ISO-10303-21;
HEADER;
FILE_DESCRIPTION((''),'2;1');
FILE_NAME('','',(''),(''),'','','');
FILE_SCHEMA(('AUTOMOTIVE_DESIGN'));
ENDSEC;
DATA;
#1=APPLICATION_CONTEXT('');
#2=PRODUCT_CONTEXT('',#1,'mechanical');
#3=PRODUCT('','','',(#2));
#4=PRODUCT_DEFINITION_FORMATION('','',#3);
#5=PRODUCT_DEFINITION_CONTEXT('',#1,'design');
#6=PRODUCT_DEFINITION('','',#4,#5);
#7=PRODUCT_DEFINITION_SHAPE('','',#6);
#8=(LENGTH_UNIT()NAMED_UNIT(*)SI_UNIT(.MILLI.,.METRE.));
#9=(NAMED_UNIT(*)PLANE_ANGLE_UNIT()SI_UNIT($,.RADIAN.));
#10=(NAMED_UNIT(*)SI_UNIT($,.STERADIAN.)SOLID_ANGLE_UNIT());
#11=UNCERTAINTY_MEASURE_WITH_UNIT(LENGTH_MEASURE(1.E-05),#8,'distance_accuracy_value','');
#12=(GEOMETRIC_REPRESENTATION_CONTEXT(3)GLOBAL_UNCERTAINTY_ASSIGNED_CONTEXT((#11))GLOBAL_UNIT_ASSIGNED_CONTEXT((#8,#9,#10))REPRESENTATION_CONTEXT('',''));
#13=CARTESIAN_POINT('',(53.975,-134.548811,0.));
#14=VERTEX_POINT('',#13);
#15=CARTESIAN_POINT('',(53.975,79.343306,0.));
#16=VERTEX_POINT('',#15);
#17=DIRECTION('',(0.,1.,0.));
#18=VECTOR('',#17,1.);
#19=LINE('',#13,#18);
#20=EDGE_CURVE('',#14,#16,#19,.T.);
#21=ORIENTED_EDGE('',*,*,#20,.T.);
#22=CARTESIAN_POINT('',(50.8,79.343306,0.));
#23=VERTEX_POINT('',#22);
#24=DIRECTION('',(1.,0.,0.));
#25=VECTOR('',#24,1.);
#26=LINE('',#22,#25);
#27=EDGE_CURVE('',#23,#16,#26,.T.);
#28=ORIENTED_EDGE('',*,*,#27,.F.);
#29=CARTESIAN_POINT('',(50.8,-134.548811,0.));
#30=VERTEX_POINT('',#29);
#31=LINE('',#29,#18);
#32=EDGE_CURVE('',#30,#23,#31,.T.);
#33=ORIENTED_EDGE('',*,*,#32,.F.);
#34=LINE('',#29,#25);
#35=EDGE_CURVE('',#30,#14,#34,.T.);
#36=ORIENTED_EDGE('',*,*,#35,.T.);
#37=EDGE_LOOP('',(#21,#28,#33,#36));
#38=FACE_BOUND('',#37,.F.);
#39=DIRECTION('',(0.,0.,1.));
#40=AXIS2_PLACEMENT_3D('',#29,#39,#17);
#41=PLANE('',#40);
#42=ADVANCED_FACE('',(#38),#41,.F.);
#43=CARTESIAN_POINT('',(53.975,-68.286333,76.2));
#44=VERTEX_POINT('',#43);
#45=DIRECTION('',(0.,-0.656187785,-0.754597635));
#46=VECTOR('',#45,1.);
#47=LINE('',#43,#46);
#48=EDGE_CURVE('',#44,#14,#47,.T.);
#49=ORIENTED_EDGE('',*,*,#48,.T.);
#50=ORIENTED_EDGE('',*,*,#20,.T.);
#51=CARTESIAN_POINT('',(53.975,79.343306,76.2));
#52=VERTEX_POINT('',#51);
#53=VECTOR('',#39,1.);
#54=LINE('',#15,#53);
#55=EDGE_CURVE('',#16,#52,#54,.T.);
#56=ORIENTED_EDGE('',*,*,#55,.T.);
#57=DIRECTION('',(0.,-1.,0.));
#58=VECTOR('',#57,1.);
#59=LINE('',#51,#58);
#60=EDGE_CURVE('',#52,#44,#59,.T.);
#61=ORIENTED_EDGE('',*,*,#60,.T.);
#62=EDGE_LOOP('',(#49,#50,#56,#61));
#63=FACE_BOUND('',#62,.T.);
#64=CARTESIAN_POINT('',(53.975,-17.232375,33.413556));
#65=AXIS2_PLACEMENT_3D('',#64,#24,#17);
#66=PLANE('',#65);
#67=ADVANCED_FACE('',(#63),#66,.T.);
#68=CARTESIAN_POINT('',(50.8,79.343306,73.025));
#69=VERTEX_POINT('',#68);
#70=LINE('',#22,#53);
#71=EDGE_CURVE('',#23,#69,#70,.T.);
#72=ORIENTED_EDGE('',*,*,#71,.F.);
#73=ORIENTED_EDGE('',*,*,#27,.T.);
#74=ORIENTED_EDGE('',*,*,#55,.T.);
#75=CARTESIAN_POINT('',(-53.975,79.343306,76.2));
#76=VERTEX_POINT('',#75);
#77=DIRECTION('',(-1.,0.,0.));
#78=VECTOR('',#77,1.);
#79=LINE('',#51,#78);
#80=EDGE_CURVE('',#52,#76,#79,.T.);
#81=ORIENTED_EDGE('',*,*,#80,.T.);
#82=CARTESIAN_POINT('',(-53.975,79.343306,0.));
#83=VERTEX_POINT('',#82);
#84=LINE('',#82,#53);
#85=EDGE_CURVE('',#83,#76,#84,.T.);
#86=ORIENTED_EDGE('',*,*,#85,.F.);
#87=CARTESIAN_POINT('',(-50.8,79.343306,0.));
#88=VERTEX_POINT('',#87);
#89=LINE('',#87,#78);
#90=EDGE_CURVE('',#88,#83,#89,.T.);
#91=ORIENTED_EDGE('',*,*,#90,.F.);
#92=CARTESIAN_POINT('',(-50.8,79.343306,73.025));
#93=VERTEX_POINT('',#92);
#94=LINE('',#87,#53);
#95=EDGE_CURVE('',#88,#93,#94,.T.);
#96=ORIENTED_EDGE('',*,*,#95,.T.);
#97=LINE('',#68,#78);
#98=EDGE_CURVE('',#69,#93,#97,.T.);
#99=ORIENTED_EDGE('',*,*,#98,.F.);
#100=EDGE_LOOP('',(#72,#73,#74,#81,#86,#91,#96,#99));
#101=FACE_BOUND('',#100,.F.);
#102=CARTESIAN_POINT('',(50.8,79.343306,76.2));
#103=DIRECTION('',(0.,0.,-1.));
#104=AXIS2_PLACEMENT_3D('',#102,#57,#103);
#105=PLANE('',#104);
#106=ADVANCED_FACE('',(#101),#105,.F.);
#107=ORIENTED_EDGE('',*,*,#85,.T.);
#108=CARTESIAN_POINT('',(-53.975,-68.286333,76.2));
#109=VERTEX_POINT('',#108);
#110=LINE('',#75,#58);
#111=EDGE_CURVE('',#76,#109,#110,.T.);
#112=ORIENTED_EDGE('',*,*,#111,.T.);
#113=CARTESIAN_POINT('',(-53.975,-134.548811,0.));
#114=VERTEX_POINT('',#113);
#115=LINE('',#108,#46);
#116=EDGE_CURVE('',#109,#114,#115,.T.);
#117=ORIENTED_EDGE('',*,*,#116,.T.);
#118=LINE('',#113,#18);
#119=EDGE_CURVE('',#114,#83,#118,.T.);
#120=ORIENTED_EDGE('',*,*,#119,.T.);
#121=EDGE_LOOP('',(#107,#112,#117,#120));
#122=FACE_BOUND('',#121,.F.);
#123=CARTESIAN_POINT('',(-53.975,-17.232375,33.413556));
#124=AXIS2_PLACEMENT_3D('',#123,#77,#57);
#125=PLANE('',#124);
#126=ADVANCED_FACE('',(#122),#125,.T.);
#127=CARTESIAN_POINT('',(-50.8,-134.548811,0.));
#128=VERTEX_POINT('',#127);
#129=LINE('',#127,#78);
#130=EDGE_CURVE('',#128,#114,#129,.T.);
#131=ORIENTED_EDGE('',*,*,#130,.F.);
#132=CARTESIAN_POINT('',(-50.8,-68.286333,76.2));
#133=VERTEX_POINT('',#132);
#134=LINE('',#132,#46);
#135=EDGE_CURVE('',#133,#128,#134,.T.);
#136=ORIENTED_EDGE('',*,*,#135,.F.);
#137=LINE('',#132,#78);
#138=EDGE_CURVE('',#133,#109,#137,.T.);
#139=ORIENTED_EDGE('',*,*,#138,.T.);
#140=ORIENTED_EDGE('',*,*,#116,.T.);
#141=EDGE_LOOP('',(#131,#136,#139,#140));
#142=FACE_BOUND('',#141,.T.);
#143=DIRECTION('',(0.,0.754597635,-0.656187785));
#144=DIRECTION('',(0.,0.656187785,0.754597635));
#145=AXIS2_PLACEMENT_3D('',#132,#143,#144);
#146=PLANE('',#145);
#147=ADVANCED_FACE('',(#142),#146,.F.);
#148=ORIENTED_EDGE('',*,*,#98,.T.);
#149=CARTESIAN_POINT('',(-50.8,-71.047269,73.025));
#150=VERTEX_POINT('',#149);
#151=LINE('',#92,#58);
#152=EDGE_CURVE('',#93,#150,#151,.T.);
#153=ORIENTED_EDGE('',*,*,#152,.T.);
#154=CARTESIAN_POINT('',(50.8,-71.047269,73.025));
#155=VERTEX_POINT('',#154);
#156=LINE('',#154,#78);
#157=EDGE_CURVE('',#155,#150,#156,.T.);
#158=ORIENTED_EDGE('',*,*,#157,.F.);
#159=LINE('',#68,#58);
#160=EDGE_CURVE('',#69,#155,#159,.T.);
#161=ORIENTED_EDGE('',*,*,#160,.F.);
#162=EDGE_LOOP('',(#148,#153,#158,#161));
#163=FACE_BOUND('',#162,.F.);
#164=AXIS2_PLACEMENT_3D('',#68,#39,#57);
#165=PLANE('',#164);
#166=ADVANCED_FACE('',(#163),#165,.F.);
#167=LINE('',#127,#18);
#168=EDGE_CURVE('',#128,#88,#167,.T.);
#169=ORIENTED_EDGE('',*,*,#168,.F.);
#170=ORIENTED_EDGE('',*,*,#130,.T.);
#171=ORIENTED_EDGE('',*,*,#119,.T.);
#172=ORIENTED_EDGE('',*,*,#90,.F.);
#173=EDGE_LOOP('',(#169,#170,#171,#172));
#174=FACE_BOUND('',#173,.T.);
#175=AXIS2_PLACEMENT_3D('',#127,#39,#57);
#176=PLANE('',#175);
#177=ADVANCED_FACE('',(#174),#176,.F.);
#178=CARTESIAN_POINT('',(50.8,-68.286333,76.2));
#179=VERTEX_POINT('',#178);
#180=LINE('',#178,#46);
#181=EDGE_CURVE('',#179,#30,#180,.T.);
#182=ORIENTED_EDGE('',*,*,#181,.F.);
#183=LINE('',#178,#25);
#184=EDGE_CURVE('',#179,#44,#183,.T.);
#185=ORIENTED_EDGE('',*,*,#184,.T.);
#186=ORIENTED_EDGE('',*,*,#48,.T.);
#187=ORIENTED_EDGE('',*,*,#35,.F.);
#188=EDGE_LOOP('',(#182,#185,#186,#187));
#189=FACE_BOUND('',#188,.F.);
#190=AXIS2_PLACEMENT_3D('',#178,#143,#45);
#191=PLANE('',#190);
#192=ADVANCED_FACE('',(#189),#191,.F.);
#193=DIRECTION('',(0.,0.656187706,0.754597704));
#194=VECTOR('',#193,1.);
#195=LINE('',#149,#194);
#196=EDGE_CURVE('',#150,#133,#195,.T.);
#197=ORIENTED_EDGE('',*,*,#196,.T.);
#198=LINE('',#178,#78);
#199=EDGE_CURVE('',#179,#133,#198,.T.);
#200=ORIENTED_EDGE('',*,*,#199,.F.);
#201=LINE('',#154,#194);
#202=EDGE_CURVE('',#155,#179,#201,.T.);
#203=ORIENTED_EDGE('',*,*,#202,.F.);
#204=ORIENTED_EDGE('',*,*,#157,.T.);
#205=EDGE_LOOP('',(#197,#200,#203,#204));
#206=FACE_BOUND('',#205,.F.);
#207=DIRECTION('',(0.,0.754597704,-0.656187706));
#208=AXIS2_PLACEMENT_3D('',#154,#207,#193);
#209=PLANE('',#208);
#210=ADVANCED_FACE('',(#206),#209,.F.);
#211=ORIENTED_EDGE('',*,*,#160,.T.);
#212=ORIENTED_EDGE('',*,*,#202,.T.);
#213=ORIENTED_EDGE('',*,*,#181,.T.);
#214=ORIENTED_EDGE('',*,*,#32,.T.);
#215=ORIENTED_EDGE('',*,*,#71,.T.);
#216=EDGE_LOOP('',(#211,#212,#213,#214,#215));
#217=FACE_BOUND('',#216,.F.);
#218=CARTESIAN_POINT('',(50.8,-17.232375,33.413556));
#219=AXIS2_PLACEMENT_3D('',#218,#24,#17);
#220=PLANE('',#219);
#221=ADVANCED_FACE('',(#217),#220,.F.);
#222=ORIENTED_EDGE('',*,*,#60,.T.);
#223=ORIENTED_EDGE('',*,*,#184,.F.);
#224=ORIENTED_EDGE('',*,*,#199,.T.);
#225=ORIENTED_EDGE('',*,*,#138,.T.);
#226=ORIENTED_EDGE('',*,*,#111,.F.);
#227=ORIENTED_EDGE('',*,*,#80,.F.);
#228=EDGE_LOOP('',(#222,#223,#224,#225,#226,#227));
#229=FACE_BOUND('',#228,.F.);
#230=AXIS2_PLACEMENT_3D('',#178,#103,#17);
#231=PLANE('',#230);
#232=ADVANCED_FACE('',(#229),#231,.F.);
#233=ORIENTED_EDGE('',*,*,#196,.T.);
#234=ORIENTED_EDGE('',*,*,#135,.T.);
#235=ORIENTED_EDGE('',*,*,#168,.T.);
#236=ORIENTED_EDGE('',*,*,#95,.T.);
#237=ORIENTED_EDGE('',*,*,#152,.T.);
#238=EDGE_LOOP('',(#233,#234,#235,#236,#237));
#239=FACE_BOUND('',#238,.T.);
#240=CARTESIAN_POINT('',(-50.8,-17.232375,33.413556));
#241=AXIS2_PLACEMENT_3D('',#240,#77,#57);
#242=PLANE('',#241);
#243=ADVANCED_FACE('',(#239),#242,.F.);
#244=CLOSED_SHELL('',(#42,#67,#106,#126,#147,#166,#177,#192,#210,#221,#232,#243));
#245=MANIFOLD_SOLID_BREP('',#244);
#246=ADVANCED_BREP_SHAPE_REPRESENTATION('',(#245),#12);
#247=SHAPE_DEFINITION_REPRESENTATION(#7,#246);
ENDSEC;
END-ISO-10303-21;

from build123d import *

# Parameters (mm, degrees)
F2_DEPTH = 3.175
F5_DEPTH = 101.6


with BuildPart() as f2:
    # F1 (on offset) → F2 (new body)
    with BuildSketch(Plane.YZ.offset(50.8)):
        Polygon((-68.286333, 76.2), (-134.548811, 0), (79.343306, 0), (79.343306, 76.2), align=None)
    extrude(amount=F2_DEPTH)



with BuildPart() as f3_1:
    # F3: instance of F2
    add(f2.part.mirror(Plane.YZ))


with BuildPart() as f2_1:
    add(f2.part)

    add(f3_1.part)  # F5 merges F3_1
    # F4 (on face) → F5 (join, through all)
    with BuildSketch(Plane(origin=(50.8, 0, 0), x_dir=(0, -1, 0), z_dir=(-1, 0, 0))):
        Polygon((68.286333, 76.2), (-79.343306, 76.2), (-79.343306, 73.025), (71.047269, 73.025), align=None)
    extrude(amount=F5_DEPTH)


solid = f2_1.part
